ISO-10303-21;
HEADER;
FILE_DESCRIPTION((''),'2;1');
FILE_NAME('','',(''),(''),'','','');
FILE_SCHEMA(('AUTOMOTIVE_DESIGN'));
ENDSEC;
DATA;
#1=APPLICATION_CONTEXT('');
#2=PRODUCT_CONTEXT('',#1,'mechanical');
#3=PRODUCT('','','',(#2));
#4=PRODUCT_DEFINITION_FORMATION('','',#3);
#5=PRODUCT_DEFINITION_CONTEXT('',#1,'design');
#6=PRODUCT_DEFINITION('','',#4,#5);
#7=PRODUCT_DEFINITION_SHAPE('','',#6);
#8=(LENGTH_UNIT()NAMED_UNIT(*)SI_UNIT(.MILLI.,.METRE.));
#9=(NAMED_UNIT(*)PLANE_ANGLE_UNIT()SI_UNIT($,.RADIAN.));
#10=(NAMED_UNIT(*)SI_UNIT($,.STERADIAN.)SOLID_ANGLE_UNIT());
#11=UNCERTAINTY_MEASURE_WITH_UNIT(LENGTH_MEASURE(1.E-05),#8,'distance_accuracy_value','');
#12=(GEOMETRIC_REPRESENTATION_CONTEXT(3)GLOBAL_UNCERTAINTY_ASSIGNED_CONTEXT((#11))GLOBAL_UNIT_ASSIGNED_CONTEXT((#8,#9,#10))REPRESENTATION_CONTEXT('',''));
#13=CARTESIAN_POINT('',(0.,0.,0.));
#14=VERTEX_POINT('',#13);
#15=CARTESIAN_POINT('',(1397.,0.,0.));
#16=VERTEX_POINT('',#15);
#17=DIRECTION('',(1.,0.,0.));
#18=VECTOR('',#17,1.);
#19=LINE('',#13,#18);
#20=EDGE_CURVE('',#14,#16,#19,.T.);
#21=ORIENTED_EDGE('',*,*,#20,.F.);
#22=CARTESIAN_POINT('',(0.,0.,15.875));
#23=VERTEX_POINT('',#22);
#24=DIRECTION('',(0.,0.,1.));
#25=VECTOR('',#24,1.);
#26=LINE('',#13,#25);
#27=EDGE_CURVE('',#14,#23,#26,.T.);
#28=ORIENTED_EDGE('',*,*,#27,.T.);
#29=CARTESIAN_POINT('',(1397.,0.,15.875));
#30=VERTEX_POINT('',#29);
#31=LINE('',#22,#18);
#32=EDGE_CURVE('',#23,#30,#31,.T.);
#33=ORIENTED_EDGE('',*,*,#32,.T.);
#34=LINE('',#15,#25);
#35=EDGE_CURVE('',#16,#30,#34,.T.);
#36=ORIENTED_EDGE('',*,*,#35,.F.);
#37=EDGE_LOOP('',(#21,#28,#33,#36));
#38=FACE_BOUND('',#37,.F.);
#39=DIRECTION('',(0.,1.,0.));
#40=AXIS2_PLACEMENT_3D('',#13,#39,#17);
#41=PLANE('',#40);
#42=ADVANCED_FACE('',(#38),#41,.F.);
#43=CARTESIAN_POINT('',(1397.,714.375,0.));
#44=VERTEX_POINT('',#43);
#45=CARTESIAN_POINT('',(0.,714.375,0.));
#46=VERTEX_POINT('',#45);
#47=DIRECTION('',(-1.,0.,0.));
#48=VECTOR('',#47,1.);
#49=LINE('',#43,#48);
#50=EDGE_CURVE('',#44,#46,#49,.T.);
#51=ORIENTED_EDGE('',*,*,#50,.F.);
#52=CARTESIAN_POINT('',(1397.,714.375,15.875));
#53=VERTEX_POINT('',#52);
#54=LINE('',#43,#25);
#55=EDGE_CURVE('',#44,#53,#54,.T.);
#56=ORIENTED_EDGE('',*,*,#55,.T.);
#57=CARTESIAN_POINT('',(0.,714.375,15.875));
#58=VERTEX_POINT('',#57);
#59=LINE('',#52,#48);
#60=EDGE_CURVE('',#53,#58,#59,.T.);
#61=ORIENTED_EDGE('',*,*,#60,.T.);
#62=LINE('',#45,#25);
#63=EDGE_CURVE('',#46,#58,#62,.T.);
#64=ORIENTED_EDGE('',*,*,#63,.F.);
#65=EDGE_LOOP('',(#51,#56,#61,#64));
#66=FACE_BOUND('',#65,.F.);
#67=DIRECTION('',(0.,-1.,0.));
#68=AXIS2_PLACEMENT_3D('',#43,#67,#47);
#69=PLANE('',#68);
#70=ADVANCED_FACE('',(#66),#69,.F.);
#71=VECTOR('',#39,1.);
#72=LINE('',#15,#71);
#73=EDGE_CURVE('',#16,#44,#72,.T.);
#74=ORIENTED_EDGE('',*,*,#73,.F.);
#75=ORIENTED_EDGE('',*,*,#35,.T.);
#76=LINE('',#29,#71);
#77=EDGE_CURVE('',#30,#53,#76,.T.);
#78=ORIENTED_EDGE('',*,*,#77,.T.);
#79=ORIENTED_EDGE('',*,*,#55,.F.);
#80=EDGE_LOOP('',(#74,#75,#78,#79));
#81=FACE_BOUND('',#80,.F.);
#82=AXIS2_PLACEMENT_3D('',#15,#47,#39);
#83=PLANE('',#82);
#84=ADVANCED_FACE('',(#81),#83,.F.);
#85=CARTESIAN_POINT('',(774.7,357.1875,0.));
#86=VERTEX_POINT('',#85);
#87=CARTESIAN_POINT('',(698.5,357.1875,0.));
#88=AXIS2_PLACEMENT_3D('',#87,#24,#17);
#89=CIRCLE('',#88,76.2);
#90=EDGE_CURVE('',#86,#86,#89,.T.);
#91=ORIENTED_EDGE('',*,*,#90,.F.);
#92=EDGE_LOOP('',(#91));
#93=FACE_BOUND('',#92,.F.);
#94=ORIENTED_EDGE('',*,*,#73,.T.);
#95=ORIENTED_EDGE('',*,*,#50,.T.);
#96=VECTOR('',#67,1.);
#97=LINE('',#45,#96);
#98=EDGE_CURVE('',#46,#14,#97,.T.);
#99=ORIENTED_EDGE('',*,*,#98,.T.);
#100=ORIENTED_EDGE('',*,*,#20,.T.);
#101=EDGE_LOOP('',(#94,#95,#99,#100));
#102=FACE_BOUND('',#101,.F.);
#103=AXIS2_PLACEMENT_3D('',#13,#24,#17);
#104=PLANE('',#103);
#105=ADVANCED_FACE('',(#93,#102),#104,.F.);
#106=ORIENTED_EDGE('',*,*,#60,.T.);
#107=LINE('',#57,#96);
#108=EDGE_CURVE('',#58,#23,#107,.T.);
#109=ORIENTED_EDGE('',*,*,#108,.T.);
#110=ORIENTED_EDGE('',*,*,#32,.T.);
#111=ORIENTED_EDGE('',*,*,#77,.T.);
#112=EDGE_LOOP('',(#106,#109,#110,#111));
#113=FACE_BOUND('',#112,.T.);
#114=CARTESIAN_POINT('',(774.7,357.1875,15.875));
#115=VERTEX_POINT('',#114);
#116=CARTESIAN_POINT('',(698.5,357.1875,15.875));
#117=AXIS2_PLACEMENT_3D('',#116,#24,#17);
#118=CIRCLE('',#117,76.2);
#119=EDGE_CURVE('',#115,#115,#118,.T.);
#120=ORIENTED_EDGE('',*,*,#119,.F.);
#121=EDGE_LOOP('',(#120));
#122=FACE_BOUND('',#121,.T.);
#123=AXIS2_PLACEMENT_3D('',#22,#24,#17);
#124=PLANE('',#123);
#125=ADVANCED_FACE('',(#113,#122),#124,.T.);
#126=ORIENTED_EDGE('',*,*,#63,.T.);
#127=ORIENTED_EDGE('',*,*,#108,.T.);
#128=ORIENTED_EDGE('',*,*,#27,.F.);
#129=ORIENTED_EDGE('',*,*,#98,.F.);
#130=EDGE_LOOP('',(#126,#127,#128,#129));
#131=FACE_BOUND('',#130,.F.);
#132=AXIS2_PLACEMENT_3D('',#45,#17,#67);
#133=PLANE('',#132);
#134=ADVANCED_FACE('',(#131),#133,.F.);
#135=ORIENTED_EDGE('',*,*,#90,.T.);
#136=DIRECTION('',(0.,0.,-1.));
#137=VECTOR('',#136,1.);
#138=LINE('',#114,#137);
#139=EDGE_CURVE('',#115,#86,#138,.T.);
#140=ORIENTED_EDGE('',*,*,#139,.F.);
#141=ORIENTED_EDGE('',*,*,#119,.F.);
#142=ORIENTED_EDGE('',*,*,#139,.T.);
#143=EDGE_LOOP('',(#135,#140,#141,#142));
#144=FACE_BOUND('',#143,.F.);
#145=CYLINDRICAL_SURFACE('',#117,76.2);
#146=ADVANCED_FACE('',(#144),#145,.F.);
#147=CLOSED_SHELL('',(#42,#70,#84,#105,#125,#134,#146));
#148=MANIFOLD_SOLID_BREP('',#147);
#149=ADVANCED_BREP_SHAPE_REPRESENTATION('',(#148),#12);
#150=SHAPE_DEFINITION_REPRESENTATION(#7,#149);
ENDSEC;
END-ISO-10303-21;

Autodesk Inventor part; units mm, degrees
ref_plane "YZ Plane" through (0, 0, 0) normal (1, 0, 0) x (0, 1, 0)
ref_plane "XZ Plane" through (0, 0, 0) normal (0, 1, 0) x (-1, 0, 0)
ref_plane "XY Plane" through (0, 0, 0) normal (0, 0, 1) x (1, 0, 0)
sketch "Sketch1" plane through (0, 0, 0) normal (0, 0, 1) x (1, 0, 0)
  line L0 (0, 0) -> (1397, 0)
  line L1 (1397, 0) -> (1397, 714.375)
  line L2 (1397, 714.375) -> (0, 714.375)
  line L3 (0, 714.375) -> (0, 0)
  dimension "d0" = 1397
  dimension "d1" = 714.375
extrude "Extrusion1" add sketch "Sketch1" along normal blind 15.875
sketch "Sketch4" plane through (0, 0, 15.875) normal (0, 0, 1) x (1, 0, 0)
  circle A0 centre (698.5, 357.1875) radius 76.2
  dimension "d19" = 152.4
extrude "Extrusion3" cut sketch "Sketch4" against normal blind 15.875
properties part number "Half Ceiling Hole"
